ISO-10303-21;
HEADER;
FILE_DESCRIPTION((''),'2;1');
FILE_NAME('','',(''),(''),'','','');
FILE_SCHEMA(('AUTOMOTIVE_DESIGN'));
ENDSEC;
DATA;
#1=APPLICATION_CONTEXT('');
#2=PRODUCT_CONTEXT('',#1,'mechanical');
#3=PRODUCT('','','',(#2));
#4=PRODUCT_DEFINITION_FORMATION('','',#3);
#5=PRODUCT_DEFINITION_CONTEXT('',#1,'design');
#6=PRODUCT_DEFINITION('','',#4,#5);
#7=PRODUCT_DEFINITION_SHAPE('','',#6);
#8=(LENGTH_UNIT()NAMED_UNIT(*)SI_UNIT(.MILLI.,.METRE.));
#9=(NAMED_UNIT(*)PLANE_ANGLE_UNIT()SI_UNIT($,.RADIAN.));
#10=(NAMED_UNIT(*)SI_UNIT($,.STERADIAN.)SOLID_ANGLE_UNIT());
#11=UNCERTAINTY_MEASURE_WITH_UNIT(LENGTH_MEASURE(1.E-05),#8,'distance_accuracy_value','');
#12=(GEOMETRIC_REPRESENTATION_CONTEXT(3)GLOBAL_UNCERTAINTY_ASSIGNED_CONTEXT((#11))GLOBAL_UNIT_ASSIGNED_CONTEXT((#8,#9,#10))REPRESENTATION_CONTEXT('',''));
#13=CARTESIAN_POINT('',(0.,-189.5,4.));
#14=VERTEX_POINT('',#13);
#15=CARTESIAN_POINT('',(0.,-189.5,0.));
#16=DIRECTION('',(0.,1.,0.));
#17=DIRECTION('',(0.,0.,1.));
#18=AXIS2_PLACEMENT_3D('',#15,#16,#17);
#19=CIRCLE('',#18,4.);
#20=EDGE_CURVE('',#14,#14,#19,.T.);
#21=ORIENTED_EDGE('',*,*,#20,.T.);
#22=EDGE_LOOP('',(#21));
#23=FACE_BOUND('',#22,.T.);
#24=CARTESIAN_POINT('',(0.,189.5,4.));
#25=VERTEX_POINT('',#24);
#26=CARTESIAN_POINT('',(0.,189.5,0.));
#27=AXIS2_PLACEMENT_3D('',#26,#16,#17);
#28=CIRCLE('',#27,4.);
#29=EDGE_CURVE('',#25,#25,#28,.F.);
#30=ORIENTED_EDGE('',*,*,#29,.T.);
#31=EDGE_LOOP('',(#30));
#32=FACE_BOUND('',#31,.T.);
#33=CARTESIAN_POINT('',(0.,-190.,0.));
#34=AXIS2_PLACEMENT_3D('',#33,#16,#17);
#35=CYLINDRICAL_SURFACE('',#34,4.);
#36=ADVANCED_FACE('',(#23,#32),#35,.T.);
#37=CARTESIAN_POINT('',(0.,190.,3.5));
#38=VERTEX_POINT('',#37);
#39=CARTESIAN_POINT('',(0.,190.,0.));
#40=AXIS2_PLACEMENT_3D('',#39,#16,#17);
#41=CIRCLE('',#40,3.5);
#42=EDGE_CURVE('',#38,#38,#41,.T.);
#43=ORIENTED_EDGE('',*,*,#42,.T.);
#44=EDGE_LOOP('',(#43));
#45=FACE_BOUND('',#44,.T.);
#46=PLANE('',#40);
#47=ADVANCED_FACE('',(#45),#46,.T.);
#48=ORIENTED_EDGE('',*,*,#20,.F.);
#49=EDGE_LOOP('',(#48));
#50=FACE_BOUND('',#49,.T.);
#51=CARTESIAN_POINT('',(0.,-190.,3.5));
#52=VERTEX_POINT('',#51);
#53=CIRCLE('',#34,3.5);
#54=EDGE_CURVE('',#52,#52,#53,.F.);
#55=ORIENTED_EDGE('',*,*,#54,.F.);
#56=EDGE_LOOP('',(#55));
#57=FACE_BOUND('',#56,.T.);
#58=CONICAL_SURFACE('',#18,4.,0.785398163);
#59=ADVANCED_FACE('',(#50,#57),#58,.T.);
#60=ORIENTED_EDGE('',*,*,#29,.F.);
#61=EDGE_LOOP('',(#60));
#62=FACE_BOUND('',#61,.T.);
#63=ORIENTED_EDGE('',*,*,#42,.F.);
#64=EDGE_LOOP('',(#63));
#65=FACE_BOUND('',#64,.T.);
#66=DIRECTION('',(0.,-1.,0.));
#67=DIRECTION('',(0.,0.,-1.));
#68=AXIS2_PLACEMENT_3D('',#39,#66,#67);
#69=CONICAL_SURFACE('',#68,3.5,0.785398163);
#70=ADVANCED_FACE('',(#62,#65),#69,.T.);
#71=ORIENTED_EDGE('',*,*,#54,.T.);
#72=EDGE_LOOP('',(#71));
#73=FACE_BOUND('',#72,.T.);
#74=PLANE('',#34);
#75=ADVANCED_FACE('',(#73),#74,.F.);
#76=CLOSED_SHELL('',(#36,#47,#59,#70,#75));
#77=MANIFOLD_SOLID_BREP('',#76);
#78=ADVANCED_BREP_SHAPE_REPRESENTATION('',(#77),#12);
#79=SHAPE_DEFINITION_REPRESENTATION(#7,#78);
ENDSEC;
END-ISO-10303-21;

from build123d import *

# Parameters (mm, degrees)
BOSS_EXTRUDE1_DEPTH      = 190
BOSS_EXTRUDE1_DEPTH_BACK = 190
SKETCH1_R                = 4
CHAMFER1_SIZE            = 0.5


with BuildPart() as part:
    # Sketch1 → Boss-Extrude1 (new, two sides: drawn at the far end of the back side and taken through both)
    with BuildSketch(Plane(origin=(0, 0, 0), x_dir=(1, 0, 0), z_dir=(0, 1, 0)).offset(-BOSS_EXTRUDE1_DEPTH_BACK)):
        Circle(SKETCH1_R)
    extrude(amount=BOSS_EXTRUDE1_DEPTH + BOSS_EXTRUDE1_DEPTH_BACK)

    # Chamfer1
    chamfer1_edges = [part.edges().sort_by_distance(p)[0] for p in [
        (-4, -190, 0),
        (-4, 190, 0),
    ]]
    chamfer(chamfer1_edges, length=CHAMFER1_SIZE)


solid = part.part
